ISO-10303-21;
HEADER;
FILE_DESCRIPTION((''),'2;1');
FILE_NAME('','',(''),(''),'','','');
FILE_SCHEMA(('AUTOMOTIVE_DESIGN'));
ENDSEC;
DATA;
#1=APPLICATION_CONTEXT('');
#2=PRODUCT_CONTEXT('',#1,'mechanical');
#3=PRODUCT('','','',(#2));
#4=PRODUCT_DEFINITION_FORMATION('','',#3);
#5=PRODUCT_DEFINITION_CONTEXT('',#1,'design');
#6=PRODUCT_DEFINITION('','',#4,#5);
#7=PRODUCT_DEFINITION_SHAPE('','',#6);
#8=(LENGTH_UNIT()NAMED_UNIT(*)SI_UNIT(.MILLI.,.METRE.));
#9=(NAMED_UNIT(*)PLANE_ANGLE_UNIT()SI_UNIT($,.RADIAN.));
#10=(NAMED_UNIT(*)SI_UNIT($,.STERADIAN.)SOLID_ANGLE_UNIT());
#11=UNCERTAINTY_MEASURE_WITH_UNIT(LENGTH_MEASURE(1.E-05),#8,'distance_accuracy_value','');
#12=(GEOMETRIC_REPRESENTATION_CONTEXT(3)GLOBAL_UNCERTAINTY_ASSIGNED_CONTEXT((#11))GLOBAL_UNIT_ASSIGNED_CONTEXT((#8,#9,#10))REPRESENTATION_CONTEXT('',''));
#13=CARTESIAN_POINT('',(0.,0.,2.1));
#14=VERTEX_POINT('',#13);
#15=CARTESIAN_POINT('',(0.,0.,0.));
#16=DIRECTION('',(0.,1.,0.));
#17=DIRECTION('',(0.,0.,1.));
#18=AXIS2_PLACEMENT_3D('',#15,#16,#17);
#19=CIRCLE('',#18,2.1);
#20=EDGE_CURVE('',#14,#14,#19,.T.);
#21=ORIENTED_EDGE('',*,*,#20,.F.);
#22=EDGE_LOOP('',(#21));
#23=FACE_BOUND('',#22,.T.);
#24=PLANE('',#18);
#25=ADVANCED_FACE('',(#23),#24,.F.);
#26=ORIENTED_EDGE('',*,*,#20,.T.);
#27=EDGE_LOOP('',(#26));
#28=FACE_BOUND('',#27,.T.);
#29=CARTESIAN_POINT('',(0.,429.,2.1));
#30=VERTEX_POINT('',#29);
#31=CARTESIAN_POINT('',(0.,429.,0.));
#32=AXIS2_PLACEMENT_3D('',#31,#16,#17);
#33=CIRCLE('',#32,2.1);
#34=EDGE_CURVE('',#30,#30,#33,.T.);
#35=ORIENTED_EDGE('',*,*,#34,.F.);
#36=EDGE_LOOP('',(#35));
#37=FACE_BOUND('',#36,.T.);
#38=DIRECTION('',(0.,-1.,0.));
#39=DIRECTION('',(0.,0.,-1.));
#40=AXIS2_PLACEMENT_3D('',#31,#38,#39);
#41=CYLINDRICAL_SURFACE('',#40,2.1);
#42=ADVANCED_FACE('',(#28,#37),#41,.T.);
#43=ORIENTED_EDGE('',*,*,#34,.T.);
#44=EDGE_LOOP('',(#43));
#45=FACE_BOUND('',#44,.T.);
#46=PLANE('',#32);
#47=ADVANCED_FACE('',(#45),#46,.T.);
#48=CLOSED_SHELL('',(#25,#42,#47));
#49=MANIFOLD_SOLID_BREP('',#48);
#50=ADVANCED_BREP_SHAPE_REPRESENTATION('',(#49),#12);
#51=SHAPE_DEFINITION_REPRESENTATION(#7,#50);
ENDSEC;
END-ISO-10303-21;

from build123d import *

# Parameters (mm, degrees)
CROQUIS1_R              = 2.1
SALIENTE_EXTRUIR1_DEPTH = 429


with BuildPart() as part:
    # Croquis1 → Saliente-Extruir1 (new body)
    with BuildSketch(Plane(origin=(0, 0, 0), x_dir=(1, 0, 0), z_dir=(0, 1, 0))):
        Circle(CROQUIS1_R)
    extrude(amount=SALIENTE_EXTRUIR1_DEPTH)


solid = part.part
